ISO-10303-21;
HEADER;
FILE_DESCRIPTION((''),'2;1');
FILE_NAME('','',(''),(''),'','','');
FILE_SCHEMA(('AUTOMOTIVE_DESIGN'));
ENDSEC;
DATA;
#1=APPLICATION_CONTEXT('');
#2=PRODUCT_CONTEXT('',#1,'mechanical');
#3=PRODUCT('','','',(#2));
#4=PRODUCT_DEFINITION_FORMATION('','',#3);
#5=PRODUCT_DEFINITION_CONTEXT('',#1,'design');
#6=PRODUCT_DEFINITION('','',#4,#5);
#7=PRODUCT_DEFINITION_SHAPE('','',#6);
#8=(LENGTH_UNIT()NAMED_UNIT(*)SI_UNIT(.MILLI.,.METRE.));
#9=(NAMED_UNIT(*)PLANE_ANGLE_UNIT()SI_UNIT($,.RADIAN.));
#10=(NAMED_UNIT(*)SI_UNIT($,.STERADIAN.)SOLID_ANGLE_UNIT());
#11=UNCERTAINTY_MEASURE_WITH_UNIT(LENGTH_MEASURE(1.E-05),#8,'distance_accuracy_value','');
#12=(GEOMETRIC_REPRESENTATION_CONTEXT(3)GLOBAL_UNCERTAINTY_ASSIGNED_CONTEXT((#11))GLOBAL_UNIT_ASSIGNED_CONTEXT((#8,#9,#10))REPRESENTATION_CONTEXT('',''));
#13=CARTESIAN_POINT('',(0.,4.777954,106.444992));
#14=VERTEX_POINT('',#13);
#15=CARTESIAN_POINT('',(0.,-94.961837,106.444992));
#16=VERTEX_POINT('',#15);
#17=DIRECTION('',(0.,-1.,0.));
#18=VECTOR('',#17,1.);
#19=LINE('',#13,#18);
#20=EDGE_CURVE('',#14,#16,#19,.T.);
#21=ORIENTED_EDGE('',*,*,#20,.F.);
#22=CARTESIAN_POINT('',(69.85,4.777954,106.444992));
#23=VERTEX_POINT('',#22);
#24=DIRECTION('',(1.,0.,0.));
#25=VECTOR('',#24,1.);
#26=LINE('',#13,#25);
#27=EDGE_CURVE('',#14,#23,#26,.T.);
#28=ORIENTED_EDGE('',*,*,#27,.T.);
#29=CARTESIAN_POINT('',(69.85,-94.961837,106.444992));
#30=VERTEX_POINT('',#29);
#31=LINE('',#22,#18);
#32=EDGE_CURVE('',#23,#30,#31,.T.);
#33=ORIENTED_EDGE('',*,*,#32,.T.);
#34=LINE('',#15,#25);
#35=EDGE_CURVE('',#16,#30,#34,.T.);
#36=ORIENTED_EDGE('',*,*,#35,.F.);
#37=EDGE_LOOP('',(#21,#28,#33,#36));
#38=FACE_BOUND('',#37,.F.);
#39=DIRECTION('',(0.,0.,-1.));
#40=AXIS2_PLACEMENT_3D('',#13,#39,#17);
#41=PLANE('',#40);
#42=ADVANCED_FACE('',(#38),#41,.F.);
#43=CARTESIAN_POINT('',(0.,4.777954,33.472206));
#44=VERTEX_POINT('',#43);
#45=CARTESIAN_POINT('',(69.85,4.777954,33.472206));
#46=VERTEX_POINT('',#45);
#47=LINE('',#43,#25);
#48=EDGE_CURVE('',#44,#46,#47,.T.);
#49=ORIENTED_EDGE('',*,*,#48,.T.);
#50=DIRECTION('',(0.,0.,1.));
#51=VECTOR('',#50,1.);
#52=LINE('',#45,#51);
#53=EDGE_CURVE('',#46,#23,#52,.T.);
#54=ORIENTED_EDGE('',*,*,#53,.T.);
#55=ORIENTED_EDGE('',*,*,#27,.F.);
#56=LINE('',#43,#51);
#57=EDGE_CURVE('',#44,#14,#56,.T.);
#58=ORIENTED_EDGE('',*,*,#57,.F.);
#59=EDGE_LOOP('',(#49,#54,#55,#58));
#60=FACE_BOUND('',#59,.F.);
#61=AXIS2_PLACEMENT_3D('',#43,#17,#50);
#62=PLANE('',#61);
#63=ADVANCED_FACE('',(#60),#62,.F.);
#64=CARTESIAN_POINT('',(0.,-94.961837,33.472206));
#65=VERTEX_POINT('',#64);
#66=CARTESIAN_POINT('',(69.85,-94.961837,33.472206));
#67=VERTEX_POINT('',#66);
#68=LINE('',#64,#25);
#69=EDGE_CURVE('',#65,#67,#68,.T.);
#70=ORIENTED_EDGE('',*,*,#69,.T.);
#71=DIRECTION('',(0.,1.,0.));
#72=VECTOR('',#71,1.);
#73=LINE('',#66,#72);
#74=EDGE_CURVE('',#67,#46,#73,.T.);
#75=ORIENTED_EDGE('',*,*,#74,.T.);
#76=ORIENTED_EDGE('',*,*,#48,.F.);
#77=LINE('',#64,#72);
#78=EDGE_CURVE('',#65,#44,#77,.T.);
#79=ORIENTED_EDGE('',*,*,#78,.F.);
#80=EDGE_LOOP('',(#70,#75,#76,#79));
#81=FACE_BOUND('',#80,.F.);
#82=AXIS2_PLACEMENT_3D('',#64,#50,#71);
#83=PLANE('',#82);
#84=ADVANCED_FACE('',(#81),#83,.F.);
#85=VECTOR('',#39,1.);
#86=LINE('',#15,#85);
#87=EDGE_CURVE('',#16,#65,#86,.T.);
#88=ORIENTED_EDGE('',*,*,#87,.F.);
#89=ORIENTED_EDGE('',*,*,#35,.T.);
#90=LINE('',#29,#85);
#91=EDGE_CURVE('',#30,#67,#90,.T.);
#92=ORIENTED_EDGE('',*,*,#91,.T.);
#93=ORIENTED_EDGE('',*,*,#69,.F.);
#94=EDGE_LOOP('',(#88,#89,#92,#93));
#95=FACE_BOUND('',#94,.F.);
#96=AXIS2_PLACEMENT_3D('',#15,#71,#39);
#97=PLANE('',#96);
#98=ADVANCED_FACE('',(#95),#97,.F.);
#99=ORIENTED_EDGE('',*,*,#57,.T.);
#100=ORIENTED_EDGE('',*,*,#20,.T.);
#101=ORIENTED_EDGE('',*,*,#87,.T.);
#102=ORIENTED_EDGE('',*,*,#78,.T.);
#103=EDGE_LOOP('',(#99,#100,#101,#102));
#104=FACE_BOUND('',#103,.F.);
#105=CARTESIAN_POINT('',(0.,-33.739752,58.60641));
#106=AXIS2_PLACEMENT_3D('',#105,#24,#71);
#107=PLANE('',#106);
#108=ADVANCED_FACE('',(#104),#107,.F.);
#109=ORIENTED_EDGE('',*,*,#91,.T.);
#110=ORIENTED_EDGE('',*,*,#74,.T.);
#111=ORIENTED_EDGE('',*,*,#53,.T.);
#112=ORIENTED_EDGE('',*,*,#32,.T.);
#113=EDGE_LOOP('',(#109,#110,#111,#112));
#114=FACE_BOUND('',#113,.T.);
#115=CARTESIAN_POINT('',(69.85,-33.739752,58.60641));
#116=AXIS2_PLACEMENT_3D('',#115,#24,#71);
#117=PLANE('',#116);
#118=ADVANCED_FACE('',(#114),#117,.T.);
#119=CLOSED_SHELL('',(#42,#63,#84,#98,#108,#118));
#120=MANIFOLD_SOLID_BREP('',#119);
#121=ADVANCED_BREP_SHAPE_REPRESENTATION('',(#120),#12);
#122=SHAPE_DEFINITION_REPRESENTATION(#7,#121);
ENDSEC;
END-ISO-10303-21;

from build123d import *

# Parameters (mm, degrees)
F0_W     = 45.3905574977
F0_H     = 31.6605865955
F1_DEPTH = 69.85


with BuildPart() as f1:
    # F0 (on Right) → F1 (new body)
    with BuildSketch(Plane.YZ):
        Polygon((4.7779544257, 106.444992125), (-19.7090581059, 106.444992125), (-19.7090581059, 54.336193949), (-94.9618369341, 54.336193949), (-94.9618369341, 33.4722064435), (4.7779544257, 33.4722064435), align=None)
        Polygon((-19.7090581059, 106.444992125), (-49.5712794363, 106.444992125), (-49.5712794363, 74.7844055295), (-94.9618369341, 74.7844055295), (-94.9618369341, 54.336193949), (-19.7090581059, 54.336193949), align=None)
        with Locations((-72.2665581852, 90.6146988273)):
            Rectangle(F0_W, F0_H)
    extrude(amount=F1_DEPTH)


solid = f1.part
